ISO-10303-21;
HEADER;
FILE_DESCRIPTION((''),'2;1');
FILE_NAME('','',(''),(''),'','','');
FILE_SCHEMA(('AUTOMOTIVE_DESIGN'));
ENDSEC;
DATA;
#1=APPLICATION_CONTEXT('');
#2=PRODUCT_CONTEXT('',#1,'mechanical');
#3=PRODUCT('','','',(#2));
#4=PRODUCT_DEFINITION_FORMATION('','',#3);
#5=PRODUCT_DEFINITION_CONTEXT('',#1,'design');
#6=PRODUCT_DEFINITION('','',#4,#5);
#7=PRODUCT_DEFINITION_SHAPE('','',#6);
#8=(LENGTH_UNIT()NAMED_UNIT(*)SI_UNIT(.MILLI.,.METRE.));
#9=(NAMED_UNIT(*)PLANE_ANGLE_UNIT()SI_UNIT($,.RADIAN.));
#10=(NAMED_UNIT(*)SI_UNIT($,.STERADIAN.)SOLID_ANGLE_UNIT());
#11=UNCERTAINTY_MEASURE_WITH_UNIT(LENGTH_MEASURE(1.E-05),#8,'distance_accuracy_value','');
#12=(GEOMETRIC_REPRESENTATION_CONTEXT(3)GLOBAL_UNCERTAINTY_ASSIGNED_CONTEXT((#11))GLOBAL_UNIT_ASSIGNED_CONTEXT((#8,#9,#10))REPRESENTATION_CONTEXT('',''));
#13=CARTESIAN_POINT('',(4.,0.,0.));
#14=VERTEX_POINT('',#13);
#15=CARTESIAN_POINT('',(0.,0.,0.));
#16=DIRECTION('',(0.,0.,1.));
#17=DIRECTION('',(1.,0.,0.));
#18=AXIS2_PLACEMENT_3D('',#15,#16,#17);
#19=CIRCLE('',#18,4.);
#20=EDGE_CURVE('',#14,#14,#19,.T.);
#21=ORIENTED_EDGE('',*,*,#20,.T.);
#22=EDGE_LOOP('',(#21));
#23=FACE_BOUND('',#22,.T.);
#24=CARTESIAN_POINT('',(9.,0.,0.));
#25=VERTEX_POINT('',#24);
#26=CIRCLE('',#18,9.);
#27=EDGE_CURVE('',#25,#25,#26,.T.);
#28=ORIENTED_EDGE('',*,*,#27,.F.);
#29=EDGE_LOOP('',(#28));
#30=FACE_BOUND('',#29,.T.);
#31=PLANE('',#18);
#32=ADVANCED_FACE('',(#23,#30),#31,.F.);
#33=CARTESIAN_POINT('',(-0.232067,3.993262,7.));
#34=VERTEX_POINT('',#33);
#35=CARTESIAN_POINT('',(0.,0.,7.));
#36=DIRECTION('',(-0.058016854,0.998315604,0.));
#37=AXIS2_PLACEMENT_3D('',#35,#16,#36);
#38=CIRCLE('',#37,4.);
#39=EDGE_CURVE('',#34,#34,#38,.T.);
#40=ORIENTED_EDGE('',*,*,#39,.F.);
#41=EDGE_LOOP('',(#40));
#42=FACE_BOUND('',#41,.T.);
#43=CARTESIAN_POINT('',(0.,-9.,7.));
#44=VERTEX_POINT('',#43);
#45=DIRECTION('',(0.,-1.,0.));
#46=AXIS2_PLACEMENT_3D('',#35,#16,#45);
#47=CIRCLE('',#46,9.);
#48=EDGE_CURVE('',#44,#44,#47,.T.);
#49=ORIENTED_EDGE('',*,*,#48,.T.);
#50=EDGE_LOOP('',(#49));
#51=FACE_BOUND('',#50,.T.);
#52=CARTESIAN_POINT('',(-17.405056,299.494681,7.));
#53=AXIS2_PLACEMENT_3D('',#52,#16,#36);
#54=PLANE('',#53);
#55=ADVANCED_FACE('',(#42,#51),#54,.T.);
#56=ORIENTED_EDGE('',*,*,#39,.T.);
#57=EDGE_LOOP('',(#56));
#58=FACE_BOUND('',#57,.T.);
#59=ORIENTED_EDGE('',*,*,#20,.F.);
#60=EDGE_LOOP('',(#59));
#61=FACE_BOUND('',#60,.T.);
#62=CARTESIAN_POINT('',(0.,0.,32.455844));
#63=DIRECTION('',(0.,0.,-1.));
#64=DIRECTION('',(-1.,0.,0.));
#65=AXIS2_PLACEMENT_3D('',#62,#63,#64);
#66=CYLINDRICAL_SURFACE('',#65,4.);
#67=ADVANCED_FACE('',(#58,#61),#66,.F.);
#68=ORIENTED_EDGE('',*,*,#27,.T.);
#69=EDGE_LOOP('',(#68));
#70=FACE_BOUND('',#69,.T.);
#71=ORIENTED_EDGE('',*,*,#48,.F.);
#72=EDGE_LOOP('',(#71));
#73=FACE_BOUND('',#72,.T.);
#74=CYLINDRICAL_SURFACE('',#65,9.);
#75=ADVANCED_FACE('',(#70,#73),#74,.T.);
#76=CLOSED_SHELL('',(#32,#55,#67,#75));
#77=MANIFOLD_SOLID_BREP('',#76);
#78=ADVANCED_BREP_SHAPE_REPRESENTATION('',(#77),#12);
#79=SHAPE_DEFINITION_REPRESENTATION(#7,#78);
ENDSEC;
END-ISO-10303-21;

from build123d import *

# Parameters (mm, degrees)
SKETCH1_R           = 9
SKETCH1_R_2         = 4
BOSS_EXTRUDE1_DEPTH = 7


with BuildPart() as part:
    # Sketch1 → Boss-Extrude1 (new body)
    with BuildSketch(Plane.XY):
        with Locations(Location((0, 0, 0), (0, 0, 270))):
            Circle(SKETCH1_R)
        with Locations(Location((0, 0, 0), (0, 0, 93.325988531))):
            Circle(SKETCH1_R_2, mode=Mode.SUBTRACT)
    extrude(amount=BOSS_EXTRUDE1_DEPTH)


solid = part.part
